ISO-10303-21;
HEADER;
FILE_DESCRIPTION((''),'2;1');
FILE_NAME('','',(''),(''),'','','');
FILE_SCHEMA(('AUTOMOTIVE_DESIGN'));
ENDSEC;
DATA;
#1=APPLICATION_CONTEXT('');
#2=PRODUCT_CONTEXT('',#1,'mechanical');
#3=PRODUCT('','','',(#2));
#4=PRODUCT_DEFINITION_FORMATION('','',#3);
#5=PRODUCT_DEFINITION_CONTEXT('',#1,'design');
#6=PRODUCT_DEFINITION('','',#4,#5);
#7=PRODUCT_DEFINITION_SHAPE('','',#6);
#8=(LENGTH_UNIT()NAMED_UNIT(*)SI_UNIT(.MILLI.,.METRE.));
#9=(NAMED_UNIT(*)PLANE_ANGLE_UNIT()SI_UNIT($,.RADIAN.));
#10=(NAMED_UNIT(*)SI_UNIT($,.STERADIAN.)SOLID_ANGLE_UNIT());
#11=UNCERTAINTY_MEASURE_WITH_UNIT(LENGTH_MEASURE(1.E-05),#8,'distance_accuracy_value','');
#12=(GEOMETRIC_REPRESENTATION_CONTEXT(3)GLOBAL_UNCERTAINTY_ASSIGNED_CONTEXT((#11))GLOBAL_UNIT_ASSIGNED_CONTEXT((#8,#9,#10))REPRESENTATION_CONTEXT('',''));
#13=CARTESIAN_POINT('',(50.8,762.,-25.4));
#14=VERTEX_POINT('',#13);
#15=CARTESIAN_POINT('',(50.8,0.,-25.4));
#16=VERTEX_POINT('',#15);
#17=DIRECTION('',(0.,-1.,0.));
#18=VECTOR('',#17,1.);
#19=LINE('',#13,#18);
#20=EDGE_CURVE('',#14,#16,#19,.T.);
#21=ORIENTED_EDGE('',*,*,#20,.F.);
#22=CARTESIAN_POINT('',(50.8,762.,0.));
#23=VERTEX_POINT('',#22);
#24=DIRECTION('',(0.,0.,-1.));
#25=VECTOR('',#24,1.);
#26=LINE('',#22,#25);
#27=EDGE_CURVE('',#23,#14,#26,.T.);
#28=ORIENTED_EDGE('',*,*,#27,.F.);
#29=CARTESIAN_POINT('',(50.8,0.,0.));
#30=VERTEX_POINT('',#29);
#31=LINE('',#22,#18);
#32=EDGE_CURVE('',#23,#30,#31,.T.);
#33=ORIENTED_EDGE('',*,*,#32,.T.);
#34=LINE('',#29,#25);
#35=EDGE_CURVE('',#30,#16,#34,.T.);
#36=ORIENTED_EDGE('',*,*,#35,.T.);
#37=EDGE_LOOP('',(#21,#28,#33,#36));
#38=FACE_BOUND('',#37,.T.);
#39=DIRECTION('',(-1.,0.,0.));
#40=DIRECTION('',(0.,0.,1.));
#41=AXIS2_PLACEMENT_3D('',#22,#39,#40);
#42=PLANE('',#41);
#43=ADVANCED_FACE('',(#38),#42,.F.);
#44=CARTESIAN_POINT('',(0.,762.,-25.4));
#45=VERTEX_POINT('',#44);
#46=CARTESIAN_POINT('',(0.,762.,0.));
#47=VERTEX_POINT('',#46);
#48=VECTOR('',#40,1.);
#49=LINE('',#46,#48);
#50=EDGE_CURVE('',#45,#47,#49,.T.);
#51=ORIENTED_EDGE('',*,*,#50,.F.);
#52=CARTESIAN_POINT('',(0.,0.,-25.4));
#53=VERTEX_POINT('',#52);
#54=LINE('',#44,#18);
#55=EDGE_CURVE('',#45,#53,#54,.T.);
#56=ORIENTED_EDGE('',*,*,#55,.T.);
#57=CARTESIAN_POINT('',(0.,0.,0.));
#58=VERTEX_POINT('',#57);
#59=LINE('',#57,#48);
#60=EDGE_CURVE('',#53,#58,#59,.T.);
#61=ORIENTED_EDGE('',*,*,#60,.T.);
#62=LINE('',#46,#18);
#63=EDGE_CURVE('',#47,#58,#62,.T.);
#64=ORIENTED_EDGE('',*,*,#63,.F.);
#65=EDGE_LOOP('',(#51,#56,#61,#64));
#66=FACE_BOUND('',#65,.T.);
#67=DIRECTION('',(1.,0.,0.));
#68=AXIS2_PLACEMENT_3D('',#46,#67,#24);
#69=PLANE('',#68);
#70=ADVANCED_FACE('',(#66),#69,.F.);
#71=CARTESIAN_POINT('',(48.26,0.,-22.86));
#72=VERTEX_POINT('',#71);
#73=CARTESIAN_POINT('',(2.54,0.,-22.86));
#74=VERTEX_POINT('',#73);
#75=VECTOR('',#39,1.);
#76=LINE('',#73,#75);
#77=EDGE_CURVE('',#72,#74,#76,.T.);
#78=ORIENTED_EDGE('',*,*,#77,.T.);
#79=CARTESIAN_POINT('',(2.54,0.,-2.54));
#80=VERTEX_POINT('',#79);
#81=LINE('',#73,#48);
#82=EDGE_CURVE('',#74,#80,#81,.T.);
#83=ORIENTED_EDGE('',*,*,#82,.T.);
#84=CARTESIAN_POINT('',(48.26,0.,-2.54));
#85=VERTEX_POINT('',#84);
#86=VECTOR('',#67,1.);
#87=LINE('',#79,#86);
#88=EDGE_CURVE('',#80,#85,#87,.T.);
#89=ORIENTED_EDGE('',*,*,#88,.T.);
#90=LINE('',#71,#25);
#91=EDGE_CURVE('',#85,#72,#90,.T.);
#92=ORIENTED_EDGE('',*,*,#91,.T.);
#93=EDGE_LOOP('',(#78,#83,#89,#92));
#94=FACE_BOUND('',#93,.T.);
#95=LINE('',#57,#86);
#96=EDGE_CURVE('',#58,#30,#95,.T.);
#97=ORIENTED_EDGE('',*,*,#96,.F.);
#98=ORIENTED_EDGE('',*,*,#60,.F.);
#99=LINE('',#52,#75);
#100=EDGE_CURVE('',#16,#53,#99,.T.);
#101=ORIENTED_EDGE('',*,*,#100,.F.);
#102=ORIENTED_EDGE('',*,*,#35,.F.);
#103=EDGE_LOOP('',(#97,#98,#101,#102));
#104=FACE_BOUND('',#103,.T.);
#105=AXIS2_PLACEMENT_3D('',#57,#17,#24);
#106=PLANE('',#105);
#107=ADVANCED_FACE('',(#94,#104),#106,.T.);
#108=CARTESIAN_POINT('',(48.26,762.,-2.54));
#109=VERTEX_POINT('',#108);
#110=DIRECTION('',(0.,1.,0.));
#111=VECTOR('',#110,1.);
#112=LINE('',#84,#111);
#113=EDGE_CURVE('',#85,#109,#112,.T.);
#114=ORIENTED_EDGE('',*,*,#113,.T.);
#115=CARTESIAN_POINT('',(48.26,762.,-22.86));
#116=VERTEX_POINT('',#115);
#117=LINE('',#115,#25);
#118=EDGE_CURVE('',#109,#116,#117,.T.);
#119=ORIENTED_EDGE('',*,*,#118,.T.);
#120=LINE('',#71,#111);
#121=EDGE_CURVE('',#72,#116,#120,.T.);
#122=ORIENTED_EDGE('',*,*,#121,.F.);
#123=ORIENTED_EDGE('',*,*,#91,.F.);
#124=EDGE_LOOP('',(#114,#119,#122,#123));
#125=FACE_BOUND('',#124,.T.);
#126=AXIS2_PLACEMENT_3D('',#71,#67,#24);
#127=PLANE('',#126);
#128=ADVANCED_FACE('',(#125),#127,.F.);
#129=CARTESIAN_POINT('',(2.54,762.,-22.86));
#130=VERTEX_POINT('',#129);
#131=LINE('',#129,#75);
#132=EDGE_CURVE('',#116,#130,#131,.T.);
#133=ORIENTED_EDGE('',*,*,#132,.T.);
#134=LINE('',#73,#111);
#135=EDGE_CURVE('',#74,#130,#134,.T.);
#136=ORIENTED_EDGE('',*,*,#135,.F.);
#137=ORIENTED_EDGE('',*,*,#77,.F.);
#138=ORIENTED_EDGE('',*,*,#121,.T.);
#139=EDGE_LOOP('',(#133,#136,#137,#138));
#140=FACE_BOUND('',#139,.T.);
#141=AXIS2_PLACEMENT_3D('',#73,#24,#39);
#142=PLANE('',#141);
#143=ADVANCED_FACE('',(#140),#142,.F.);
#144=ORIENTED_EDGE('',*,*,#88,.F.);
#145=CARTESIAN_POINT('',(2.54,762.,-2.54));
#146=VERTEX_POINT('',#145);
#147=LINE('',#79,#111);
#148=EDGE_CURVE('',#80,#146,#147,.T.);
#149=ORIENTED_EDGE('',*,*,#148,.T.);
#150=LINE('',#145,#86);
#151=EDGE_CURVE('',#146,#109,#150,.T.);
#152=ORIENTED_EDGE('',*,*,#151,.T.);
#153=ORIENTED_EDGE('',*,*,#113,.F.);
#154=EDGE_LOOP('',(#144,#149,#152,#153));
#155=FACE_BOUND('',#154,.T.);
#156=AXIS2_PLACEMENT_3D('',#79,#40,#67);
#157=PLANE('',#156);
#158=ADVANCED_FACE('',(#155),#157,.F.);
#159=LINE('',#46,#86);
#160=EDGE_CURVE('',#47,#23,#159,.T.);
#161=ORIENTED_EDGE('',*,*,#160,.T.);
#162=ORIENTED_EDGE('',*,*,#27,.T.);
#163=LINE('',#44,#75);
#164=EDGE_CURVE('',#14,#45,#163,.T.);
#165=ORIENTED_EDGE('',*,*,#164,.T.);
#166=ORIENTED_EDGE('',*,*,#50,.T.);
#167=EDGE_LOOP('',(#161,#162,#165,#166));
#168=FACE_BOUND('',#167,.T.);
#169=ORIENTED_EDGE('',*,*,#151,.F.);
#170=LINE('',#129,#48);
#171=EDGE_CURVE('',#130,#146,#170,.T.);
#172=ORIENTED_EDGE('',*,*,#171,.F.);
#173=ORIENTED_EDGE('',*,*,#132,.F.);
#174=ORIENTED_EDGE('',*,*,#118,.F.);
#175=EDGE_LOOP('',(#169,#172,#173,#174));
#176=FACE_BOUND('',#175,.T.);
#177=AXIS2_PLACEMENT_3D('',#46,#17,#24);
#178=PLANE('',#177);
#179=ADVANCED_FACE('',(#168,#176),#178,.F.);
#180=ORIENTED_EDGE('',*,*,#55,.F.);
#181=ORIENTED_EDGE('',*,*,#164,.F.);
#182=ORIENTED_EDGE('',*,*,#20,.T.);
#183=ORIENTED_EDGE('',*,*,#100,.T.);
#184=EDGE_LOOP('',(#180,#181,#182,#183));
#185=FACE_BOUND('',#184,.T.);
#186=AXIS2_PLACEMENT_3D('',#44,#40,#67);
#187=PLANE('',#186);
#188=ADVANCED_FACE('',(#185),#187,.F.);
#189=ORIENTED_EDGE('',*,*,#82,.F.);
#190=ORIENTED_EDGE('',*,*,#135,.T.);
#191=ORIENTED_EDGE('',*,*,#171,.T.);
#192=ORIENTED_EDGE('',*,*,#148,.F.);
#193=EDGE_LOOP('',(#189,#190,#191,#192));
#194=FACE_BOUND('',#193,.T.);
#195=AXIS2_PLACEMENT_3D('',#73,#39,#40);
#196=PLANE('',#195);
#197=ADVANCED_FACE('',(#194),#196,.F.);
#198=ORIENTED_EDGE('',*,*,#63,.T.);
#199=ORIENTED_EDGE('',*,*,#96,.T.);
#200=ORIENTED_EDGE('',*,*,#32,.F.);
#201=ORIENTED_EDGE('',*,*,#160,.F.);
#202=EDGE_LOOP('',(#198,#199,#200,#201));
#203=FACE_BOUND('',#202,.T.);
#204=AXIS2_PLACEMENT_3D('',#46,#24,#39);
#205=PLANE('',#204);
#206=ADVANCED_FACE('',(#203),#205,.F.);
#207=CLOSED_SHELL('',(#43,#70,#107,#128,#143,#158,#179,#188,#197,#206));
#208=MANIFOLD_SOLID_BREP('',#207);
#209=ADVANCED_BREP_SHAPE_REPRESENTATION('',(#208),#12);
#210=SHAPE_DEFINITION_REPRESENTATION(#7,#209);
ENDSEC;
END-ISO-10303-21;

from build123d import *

# Parameters (mm, degrees)
SKETCH1_W           = 50.8
SKETCH1_H           = 25.4
BOSS_EXTRUDE1_DEPTH = 762
SKETCH2_W           = 45.72
SKETCH2_H           = 20.32
CUT_EXTRUDE1_DEPTH  = 762


with BuildPart() as part:
    # Sketch1 → Boss-Extrude1 (new body)
    with BuildSketch(Plane(origin=(0, 0, 0), x_dir=(1, 0, 0), z_dir=(0, 1, 0))):
        with Locations((25.4, 12.7)):
            Rectangle(SKETCH1_W, SKETCH1_H)
    extrude(amount=BOSS_EXTRUDE1_DEPTH)

    # Sketch2 → Cut-Extrude1 (cut)
    with BuildSketch(Plane(origin=(0, 762, 0), x_dir=(1, 0, 0), z_dir=(0, 1, 0))):
        with Locations((25.4, 12.7)):
            Rectangle(SKETCH2_W, SKETCH2_H)
    extrude(amount=-CUT_EXTRUDE1_DEPTH, mode=Mode.SUBTRACT)


solid = part.part
